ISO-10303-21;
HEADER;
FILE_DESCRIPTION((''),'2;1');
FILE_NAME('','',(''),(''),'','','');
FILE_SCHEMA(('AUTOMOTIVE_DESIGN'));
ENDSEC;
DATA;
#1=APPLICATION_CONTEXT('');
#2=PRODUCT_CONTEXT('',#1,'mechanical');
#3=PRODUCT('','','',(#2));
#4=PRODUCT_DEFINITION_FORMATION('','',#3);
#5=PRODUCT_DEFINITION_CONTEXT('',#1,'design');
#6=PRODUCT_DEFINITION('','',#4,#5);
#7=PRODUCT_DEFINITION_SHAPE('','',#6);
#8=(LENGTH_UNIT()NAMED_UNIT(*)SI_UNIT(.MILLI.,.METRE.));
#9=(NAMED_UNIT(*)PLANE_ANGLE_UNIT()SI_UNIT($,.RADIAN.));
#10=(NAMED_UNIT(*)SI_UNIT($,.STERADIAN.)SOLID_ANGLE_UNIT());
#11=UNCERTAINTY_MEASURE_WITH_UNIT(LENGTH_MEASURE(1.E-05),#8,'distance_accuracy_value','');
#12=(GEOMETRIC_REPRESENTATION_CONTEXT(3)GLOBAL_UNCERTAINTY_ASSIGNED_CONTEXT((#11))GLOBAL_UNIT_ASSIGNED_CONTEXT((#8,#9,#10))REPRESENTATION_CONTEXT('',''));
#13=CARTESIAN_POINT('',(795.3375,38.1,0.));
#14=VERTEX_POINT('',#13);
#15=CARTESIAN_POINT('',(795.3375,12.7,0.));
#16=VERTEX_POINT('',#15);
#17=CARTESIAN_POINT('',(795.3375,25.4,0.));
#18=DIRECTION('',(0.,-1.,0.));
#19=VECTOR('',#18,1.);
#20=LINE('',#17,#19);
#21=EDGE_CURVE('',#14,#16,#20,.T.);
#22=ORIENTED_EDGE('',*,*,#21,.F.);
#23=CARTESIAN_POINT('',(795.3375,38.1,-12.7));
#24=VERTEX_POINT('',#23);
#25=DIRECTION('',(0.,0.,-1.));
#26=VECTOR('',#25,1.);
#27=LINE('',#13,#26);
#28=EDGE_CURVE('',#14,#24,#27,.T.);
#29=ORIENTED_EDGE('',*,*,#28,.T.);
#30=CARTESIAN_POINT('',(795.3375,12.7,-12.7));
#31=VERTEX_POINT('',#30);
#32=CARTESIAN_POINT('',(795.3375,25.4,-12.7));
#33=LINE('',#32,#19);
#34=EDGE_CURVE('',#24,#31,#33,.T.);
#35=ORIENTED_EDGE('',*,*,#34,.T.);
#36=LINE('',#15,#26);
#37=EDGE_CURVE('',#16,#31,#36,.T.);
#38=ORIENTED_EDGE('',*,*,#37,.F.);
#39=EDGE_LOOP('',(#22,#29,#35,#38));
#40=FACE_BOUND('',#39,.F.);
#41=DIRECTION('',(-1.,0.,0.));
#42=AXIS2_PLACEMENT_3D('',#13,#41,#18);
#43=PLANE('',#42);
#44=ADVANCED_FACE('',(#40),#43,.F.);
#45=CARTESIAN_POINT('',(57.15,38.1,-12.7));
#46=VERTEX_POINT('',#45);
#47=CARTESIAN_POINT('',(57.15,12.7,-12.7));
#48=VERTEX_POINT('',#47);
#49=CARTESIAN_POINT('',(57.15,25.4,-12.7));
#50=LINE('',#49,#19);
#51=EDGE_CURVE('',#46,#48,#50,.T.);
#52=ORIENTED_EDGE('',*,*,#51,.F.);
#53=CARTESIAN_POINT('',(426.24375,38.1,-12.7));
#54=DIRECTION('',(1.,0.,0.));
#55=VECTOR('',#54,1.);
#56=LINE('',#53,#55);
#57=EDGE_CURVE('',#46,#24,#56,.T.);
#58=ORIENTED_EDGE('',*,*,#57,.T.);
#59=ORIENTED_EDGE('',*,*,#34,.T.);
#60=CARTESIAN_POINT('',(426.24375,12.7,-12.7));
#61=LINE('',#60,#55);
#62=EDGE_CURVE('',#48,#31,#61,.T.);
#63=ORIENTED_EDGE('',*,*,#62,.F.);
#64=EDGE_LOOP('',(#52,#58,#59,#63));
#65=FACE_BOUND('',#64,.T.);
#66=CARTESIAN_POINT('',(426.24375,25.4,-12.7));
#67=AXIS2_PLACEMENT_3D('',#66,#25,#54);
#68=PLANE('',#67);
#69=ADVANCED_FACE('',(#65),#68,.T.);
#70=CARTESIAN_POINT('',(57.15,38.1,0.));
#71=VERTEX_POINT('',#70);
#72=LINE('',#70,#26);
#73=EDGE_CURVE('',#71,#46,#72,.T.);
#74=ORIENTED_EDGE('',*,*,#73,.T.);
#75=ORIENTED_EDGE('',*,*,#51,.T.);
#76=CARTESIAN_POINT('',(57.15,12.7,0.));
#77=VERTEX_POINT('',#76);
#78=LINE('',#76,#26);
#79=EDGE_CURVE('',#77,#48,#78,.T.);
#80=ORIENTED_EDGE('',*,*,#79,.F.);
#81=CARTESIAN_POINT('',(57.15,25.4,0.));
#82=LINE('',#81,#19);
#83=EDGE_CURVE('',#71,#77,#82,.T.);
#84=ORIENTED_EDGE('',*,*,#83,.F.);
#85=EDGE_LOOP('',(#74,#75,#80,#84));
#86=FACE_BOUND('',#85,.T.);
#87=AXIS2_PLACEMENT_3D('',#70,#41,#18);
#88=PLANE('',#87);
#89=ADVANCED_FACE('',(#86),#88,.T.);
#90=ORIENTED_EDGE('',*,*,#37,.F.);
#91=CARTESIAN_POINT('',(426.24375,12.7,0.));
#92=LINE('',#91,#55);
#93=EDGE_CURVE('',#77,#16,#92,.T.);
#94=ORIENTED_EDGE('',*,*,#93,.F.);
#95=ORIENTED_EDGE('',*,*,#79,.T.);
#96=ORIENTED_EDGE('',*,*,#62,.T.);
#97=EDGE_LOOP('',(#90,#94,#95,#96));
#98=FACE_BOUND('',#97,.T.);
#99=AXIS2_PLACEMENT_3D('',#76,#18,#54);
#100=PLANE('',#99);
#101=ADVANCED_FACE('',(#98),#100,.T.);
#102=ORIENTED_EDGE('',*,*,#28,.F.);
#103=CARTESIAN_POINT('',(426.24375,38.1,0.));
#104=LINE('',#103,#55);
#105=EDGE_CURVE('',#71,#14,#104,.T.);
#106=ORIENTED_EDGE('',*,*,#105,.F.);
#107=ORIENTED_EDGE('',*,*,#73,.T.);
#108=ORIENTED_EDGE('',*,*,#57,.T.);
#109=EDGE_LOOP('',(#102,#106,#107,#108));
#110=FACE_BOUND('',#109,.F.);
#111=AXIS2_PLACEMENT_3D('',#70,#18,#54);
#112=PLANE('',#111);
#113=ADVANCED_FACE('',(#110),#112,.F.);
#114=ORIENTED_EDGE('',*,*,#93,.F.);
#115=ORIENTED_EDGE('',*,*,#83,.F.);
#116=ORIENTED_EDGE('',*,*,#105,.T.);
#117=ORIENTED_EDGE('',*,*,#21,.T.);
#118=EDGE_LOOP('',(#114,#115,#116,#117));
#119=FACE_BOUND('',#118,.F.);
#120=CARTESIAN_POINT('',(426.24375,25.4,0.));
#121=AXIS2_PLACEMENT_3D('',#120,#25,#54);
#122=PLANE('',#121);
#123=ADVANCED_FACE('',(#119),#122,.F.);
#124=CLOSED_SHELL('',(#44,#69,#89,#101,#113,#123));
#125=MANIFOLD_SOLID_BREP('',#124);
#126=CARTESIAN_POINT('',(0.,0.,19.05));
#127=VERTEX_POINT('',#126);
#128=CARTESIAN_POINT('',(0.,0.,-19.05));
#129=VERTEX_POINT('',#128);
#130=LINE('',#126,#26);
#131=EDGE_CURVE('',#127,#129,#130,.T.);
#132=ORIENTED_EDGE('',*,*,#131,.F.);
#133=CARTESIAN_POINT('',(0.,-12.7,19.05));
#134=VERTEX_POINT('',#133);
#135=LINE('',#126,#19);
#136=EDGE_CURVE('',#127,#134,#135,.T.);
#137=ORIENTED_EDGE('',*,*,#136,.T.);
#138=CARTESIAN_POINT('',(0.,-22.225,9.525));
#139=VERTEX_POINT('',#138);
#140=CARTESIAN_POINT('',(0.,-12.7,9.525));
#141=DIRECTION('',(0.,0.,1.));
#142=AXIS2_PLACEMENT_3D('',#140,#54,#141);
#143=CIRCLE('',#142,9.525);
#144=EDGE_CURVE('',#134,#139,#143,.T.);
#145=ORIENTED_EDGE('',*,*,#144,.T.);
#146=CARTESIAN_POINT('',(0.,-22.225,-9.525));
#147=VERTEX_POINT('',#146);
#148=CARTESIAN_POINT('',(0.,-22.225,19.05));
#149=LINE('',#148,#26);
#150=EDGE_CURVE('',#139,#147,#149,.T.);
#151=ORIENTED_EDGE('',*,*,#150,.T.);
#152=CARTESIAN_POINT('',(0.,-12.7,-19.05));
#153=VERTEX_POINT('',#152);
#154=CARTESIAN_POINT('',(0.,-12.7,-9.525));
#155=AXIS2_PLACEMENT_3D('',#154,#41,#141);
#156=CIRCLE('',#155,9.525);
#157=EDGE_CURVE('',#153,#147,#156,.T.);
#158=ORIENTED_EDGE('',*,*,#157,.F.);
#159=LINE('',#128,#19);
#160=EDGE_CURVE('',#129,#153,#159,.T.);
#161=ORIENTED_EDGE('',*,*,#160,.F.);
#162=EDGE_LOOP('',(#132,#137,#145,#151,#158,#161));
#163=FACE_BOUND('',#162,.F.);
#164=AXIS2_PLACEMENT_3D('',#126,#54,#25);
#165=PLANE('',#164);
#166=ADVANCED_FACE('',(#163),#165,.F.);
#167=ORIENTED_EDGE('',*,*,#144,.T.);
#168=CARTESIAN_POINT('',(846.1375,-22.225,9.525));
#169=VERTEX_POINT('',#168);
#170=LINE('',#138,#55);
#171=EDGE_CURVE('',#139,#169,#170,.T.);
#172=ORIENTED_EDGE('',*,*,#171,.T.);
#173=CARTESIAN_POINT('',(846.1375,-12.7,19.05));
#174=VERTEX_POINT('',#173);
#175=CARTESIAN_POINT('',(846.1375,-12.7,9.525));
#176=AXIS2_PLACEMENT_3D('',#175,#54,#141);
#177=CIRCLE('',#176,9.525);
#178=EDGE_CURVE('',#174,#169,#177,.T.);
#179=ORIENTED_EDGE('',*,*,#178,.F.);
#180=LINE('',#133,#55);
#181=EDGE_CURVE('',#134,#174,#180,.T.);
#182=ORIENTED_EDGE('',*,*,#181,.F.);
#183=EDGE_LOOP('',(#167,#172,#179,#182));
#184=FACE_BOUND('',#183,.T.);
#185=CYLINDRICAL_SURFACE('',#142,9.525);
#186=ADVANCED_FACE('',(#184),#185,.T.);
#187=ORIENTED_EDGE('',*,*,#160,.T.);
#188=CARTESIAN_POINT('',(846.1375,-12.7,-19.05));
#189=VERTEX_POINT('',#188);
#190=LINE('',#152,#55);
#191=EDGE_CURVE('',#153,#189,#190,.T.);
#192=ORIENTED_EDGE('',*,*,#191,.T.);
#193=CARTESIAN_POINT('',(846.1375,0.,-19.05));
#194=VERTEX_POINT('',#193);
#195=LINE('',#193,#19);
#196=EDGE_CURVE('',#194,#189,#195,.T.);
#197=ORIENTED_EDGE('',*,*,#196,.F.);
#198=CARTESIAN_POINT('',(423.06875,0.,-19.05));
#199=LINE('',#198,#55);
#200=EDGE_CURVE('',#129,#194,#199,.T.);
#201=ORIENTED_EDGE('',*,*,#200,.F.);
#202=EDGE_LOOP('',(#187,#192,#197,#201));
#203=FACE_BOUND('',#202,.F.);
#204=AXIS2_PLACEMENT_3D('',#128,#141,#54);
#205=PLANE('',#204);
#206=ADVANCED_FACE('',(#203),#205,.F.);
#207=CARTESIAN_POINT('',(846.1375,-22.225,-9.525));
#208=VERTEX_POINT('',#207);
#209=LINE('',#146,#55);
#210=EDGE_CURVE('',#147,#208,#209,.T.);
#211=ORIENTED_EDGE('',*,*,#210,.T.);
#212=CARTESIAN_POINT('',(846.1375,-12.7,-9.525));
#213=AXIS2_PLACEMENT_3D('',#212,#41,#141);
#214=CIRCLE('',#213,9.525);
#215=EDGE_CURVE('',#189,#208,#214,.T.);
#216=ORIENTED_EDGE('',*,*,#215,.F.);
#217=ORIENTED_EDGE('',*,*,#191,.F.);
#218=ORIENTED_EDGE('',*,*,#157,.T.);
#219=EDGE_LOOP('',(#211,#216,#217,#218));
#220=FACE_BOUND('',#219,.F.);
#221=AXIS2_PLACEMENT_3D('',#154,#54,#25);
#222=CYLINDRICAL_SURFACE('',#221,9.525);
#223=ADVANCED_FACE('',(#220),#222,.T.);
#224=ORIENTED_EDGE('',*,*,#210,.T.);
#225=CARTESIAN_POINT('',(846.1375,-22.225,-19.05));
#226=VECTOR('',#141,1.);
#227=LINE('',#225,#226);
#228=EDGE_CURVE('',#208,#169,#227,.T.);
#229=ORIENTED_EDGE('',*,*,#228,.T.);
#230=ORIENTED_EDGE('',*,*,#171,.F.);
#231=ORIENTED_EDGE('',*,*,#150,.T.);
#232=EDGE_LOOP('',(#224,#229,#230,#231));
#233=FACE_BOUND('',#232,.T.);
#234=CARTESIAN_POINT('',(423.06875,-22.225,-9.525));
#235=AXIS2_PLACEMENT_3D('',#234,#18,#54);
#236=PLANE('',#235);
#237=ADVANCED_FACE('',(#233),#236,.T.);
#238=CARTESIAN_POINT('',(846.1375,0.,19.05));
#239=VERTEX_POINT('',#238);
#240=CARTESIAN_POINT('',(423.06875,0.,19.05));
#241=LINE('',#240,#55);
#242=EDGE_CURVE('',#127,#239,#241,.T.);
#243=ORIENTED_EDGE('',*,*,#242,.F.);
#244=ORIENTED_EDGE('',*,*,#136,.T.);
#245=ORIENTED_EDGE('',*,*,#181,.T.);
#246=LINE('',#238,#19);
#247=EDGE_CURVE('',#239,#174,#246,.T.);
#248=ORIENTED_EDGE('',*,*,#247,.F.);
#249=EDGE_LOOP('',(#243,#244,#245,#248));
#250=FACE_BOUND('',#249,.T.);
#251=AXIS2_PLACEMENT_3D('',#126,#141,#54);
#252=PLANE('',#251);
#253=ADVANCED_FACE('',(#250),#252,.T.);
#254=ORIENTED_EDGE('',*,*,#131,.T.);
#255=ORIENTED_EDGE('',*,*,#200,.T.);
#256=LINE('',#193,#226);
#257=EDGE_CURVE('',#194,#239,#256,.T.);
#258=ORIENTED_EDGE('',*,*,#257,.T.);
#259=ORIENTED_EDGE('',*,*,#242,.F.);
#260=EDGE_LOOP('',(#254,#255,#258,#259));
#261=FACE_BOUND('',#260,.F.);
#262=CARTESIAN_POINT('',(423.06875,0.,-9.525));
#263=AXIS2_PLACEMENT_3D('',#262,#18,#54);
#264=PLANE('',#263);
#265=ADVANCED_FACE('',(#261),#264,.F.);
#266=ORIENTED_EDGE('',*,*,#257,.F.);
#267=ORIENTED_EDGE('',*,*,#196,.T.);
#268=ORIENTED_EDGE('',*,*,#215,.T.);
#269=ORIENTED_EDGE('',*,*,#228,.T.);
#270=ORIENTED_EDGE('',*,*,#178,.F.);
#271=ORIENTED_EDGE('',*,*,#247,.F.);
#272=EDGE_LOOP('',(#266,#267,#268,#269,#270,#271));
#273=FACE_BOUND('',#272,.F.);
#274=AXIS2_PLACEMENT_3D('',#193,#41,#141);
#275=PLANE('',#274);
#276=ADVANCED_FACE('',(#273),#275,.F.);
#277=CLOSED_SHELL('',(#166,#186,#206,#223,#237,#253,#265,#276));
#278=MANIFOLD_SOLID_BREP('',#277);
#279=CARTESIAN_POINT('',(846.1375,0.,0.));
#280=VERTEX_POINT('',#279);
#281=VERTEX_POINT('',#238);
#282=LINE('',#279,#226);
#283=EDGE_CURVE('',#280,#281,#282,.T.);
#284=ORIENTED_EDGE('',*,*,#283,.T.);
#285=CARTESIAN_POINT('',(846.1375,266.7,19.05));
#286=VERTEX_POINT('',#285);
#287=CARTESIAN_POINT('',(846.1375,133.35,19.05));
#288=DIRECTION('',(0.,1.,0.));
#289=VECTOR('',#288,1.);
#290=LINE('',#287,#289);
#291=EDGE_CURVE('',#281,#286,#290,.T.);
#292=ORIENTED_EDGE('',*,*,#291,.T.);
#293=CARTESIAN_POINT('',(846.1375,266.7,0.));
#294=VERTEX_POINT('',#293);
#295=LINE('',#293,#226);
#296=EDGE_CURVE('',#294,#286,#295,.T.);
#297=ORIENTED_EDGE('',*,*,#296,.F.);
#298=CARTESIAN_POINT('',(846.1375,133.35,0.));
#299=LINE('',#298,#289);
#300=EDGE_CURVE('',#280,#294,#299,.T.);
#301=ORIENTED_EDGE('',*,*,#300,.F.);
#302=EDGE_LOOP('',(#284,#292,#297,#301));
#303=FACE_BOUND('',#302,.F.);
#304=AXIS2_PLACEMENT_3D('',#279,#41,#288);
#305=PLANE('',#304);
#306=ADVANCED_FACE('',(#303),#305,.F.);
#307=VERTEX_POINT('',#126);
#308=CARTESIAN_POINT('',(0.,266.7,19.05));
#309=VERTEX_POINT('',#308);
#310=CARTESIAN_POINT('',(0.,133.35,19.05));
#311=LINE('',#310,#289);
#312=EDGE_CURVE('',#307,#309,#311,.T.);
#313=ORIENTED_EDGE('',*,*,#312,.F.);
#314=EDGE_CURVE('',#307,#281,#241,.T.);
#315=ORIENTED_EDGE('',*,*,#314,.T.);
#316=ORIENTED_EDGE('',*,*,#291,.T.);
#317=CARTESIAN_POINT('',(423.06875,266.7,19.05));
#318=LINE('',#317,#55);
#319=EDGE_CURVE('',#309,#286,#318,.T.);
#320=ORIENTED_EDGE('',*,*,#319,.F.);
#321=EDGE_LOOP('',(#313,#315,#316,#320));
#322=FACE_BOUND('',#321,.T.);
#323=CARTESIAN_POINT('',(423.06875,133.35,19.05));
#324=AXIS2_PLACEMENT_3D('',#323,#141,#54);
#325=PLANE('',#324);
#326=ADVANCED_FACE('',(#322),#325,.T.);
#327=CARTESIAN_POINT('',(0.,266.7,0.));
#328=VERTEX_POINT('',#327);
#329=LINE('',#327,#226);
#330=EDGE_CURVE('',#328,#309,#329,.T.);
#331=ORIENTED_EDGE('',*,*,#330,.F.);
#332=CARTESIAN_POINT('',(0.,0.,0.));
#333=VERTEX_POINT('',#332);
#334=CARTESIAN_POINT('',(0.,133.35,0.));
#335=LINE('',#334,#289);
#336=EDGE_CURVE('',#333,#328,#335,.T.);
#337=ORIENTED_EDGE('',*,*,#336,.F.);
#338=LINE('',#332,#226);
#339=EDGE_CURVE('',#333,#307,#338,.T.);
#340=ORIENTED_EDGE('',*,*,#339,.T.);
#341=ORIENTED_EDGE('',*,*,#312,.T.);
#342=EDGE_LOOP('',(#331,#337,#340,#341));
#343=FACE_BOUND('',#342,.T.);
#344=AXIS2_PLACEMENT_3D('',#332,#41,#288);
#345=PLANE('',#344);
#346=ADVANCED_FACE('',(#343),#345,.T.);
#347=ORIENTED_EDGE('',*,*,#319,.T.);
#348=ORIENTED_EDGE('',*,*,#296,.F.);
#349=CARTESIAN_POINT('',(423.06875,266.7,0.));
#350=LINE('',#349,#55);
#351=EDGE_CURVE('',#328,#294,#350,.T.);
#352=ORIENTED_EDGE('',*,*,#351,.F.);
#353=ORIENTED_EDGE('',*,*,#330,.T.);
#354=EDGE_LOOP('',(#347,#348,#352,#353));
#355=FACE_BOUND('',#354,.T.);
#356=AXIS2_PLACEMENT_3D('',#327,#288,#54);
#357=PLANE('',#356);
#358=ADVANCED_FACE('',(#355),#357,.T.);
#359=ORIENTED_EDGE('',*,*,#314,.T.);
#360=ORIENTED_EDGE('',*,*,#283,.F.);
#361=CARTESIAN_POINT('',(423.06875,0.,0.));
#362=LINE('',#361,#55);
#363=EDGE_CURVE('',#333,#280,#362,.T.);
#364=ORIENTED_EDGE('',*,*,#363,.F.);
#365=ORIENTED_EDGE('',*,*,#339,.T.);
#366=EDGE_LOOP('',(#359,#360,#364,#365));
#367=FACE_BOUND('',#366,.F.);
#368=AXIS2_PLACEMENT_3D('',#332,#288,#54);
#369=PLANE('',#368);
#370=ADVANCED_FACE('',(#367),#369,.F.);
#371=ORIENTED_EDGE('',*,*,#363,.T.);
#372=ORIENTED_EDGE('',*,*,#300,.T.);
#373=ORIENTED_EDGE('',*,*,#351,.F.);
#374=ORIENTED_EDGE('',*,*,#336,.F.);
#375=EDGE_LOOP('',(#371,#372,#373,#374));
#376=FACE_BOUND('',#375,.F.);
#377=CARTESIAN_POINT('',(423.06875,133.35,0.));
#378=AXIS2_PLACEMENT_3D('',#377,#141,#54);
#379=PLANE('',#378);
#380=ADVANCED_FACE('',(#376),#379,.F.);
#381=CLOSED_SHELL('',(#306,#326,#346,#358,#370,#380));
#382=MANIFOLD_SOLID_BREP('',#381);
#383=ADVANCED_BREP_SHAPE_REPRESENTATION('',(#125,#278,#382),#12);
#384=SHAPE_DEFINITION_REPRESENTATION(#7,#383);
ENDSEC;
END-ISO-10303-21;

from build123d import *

# Parameters (mm, degrees)
F0_W     = 846.1375
F0_H     = 266.7
F1_DEPTH = 19.05
F2_W     = 846.1375
F2_H     = 19.05
F3_DEPTH = 22.225
F4_R     = 9.525
F5_W     = 738.1875
F5_H     = 25.4
F6_DEPTH = 12.7


with BuildPart() as f1:
    # F0 (on Top) → F1 (new body)
    with BuildSketch(Plane.XY):
        with Locations((423.06875, 133.35)):
            Rectangle(F0_W, F0_H)
    extrude(amount=F1_DEPTH)


with BuildPart() as f3:
    # F2 (on face) → F3 (new body)
    with BuildSketch(Plane.XZ):
        with Locations((423.06875, -9.525)):
            Rectangle(F2_W, F2_H)
        with Locations((423.06875, 9.525)):
            Rectangle(F2_W, F2_H)
    extrude(amount=F3_DEPTH)

    # F4
    f4_edges = [f3.edges().sort_by_distance(p)[0] for p in [
        (423.06875, -22.225, 19.05),
        (423.06875, -22.225, -19.05),
    ]]
    fillet(f4_edges, radius=F4_R)


with BuildPart() as f6:
    # F5 (on face) → F6 (new body)
    with BuildSketch(Plane(origin=(0, 0, 0), x_dir=(1, 0, 0), z_dir=(0, 0, -1))):
        with Locations((426.24375, -25.4)):
            Rectangle(F5_W, F5_H)
    extrude(amount=F6_DEPTH)


solid = Compound([f1.part, f3.part, f6.part])
